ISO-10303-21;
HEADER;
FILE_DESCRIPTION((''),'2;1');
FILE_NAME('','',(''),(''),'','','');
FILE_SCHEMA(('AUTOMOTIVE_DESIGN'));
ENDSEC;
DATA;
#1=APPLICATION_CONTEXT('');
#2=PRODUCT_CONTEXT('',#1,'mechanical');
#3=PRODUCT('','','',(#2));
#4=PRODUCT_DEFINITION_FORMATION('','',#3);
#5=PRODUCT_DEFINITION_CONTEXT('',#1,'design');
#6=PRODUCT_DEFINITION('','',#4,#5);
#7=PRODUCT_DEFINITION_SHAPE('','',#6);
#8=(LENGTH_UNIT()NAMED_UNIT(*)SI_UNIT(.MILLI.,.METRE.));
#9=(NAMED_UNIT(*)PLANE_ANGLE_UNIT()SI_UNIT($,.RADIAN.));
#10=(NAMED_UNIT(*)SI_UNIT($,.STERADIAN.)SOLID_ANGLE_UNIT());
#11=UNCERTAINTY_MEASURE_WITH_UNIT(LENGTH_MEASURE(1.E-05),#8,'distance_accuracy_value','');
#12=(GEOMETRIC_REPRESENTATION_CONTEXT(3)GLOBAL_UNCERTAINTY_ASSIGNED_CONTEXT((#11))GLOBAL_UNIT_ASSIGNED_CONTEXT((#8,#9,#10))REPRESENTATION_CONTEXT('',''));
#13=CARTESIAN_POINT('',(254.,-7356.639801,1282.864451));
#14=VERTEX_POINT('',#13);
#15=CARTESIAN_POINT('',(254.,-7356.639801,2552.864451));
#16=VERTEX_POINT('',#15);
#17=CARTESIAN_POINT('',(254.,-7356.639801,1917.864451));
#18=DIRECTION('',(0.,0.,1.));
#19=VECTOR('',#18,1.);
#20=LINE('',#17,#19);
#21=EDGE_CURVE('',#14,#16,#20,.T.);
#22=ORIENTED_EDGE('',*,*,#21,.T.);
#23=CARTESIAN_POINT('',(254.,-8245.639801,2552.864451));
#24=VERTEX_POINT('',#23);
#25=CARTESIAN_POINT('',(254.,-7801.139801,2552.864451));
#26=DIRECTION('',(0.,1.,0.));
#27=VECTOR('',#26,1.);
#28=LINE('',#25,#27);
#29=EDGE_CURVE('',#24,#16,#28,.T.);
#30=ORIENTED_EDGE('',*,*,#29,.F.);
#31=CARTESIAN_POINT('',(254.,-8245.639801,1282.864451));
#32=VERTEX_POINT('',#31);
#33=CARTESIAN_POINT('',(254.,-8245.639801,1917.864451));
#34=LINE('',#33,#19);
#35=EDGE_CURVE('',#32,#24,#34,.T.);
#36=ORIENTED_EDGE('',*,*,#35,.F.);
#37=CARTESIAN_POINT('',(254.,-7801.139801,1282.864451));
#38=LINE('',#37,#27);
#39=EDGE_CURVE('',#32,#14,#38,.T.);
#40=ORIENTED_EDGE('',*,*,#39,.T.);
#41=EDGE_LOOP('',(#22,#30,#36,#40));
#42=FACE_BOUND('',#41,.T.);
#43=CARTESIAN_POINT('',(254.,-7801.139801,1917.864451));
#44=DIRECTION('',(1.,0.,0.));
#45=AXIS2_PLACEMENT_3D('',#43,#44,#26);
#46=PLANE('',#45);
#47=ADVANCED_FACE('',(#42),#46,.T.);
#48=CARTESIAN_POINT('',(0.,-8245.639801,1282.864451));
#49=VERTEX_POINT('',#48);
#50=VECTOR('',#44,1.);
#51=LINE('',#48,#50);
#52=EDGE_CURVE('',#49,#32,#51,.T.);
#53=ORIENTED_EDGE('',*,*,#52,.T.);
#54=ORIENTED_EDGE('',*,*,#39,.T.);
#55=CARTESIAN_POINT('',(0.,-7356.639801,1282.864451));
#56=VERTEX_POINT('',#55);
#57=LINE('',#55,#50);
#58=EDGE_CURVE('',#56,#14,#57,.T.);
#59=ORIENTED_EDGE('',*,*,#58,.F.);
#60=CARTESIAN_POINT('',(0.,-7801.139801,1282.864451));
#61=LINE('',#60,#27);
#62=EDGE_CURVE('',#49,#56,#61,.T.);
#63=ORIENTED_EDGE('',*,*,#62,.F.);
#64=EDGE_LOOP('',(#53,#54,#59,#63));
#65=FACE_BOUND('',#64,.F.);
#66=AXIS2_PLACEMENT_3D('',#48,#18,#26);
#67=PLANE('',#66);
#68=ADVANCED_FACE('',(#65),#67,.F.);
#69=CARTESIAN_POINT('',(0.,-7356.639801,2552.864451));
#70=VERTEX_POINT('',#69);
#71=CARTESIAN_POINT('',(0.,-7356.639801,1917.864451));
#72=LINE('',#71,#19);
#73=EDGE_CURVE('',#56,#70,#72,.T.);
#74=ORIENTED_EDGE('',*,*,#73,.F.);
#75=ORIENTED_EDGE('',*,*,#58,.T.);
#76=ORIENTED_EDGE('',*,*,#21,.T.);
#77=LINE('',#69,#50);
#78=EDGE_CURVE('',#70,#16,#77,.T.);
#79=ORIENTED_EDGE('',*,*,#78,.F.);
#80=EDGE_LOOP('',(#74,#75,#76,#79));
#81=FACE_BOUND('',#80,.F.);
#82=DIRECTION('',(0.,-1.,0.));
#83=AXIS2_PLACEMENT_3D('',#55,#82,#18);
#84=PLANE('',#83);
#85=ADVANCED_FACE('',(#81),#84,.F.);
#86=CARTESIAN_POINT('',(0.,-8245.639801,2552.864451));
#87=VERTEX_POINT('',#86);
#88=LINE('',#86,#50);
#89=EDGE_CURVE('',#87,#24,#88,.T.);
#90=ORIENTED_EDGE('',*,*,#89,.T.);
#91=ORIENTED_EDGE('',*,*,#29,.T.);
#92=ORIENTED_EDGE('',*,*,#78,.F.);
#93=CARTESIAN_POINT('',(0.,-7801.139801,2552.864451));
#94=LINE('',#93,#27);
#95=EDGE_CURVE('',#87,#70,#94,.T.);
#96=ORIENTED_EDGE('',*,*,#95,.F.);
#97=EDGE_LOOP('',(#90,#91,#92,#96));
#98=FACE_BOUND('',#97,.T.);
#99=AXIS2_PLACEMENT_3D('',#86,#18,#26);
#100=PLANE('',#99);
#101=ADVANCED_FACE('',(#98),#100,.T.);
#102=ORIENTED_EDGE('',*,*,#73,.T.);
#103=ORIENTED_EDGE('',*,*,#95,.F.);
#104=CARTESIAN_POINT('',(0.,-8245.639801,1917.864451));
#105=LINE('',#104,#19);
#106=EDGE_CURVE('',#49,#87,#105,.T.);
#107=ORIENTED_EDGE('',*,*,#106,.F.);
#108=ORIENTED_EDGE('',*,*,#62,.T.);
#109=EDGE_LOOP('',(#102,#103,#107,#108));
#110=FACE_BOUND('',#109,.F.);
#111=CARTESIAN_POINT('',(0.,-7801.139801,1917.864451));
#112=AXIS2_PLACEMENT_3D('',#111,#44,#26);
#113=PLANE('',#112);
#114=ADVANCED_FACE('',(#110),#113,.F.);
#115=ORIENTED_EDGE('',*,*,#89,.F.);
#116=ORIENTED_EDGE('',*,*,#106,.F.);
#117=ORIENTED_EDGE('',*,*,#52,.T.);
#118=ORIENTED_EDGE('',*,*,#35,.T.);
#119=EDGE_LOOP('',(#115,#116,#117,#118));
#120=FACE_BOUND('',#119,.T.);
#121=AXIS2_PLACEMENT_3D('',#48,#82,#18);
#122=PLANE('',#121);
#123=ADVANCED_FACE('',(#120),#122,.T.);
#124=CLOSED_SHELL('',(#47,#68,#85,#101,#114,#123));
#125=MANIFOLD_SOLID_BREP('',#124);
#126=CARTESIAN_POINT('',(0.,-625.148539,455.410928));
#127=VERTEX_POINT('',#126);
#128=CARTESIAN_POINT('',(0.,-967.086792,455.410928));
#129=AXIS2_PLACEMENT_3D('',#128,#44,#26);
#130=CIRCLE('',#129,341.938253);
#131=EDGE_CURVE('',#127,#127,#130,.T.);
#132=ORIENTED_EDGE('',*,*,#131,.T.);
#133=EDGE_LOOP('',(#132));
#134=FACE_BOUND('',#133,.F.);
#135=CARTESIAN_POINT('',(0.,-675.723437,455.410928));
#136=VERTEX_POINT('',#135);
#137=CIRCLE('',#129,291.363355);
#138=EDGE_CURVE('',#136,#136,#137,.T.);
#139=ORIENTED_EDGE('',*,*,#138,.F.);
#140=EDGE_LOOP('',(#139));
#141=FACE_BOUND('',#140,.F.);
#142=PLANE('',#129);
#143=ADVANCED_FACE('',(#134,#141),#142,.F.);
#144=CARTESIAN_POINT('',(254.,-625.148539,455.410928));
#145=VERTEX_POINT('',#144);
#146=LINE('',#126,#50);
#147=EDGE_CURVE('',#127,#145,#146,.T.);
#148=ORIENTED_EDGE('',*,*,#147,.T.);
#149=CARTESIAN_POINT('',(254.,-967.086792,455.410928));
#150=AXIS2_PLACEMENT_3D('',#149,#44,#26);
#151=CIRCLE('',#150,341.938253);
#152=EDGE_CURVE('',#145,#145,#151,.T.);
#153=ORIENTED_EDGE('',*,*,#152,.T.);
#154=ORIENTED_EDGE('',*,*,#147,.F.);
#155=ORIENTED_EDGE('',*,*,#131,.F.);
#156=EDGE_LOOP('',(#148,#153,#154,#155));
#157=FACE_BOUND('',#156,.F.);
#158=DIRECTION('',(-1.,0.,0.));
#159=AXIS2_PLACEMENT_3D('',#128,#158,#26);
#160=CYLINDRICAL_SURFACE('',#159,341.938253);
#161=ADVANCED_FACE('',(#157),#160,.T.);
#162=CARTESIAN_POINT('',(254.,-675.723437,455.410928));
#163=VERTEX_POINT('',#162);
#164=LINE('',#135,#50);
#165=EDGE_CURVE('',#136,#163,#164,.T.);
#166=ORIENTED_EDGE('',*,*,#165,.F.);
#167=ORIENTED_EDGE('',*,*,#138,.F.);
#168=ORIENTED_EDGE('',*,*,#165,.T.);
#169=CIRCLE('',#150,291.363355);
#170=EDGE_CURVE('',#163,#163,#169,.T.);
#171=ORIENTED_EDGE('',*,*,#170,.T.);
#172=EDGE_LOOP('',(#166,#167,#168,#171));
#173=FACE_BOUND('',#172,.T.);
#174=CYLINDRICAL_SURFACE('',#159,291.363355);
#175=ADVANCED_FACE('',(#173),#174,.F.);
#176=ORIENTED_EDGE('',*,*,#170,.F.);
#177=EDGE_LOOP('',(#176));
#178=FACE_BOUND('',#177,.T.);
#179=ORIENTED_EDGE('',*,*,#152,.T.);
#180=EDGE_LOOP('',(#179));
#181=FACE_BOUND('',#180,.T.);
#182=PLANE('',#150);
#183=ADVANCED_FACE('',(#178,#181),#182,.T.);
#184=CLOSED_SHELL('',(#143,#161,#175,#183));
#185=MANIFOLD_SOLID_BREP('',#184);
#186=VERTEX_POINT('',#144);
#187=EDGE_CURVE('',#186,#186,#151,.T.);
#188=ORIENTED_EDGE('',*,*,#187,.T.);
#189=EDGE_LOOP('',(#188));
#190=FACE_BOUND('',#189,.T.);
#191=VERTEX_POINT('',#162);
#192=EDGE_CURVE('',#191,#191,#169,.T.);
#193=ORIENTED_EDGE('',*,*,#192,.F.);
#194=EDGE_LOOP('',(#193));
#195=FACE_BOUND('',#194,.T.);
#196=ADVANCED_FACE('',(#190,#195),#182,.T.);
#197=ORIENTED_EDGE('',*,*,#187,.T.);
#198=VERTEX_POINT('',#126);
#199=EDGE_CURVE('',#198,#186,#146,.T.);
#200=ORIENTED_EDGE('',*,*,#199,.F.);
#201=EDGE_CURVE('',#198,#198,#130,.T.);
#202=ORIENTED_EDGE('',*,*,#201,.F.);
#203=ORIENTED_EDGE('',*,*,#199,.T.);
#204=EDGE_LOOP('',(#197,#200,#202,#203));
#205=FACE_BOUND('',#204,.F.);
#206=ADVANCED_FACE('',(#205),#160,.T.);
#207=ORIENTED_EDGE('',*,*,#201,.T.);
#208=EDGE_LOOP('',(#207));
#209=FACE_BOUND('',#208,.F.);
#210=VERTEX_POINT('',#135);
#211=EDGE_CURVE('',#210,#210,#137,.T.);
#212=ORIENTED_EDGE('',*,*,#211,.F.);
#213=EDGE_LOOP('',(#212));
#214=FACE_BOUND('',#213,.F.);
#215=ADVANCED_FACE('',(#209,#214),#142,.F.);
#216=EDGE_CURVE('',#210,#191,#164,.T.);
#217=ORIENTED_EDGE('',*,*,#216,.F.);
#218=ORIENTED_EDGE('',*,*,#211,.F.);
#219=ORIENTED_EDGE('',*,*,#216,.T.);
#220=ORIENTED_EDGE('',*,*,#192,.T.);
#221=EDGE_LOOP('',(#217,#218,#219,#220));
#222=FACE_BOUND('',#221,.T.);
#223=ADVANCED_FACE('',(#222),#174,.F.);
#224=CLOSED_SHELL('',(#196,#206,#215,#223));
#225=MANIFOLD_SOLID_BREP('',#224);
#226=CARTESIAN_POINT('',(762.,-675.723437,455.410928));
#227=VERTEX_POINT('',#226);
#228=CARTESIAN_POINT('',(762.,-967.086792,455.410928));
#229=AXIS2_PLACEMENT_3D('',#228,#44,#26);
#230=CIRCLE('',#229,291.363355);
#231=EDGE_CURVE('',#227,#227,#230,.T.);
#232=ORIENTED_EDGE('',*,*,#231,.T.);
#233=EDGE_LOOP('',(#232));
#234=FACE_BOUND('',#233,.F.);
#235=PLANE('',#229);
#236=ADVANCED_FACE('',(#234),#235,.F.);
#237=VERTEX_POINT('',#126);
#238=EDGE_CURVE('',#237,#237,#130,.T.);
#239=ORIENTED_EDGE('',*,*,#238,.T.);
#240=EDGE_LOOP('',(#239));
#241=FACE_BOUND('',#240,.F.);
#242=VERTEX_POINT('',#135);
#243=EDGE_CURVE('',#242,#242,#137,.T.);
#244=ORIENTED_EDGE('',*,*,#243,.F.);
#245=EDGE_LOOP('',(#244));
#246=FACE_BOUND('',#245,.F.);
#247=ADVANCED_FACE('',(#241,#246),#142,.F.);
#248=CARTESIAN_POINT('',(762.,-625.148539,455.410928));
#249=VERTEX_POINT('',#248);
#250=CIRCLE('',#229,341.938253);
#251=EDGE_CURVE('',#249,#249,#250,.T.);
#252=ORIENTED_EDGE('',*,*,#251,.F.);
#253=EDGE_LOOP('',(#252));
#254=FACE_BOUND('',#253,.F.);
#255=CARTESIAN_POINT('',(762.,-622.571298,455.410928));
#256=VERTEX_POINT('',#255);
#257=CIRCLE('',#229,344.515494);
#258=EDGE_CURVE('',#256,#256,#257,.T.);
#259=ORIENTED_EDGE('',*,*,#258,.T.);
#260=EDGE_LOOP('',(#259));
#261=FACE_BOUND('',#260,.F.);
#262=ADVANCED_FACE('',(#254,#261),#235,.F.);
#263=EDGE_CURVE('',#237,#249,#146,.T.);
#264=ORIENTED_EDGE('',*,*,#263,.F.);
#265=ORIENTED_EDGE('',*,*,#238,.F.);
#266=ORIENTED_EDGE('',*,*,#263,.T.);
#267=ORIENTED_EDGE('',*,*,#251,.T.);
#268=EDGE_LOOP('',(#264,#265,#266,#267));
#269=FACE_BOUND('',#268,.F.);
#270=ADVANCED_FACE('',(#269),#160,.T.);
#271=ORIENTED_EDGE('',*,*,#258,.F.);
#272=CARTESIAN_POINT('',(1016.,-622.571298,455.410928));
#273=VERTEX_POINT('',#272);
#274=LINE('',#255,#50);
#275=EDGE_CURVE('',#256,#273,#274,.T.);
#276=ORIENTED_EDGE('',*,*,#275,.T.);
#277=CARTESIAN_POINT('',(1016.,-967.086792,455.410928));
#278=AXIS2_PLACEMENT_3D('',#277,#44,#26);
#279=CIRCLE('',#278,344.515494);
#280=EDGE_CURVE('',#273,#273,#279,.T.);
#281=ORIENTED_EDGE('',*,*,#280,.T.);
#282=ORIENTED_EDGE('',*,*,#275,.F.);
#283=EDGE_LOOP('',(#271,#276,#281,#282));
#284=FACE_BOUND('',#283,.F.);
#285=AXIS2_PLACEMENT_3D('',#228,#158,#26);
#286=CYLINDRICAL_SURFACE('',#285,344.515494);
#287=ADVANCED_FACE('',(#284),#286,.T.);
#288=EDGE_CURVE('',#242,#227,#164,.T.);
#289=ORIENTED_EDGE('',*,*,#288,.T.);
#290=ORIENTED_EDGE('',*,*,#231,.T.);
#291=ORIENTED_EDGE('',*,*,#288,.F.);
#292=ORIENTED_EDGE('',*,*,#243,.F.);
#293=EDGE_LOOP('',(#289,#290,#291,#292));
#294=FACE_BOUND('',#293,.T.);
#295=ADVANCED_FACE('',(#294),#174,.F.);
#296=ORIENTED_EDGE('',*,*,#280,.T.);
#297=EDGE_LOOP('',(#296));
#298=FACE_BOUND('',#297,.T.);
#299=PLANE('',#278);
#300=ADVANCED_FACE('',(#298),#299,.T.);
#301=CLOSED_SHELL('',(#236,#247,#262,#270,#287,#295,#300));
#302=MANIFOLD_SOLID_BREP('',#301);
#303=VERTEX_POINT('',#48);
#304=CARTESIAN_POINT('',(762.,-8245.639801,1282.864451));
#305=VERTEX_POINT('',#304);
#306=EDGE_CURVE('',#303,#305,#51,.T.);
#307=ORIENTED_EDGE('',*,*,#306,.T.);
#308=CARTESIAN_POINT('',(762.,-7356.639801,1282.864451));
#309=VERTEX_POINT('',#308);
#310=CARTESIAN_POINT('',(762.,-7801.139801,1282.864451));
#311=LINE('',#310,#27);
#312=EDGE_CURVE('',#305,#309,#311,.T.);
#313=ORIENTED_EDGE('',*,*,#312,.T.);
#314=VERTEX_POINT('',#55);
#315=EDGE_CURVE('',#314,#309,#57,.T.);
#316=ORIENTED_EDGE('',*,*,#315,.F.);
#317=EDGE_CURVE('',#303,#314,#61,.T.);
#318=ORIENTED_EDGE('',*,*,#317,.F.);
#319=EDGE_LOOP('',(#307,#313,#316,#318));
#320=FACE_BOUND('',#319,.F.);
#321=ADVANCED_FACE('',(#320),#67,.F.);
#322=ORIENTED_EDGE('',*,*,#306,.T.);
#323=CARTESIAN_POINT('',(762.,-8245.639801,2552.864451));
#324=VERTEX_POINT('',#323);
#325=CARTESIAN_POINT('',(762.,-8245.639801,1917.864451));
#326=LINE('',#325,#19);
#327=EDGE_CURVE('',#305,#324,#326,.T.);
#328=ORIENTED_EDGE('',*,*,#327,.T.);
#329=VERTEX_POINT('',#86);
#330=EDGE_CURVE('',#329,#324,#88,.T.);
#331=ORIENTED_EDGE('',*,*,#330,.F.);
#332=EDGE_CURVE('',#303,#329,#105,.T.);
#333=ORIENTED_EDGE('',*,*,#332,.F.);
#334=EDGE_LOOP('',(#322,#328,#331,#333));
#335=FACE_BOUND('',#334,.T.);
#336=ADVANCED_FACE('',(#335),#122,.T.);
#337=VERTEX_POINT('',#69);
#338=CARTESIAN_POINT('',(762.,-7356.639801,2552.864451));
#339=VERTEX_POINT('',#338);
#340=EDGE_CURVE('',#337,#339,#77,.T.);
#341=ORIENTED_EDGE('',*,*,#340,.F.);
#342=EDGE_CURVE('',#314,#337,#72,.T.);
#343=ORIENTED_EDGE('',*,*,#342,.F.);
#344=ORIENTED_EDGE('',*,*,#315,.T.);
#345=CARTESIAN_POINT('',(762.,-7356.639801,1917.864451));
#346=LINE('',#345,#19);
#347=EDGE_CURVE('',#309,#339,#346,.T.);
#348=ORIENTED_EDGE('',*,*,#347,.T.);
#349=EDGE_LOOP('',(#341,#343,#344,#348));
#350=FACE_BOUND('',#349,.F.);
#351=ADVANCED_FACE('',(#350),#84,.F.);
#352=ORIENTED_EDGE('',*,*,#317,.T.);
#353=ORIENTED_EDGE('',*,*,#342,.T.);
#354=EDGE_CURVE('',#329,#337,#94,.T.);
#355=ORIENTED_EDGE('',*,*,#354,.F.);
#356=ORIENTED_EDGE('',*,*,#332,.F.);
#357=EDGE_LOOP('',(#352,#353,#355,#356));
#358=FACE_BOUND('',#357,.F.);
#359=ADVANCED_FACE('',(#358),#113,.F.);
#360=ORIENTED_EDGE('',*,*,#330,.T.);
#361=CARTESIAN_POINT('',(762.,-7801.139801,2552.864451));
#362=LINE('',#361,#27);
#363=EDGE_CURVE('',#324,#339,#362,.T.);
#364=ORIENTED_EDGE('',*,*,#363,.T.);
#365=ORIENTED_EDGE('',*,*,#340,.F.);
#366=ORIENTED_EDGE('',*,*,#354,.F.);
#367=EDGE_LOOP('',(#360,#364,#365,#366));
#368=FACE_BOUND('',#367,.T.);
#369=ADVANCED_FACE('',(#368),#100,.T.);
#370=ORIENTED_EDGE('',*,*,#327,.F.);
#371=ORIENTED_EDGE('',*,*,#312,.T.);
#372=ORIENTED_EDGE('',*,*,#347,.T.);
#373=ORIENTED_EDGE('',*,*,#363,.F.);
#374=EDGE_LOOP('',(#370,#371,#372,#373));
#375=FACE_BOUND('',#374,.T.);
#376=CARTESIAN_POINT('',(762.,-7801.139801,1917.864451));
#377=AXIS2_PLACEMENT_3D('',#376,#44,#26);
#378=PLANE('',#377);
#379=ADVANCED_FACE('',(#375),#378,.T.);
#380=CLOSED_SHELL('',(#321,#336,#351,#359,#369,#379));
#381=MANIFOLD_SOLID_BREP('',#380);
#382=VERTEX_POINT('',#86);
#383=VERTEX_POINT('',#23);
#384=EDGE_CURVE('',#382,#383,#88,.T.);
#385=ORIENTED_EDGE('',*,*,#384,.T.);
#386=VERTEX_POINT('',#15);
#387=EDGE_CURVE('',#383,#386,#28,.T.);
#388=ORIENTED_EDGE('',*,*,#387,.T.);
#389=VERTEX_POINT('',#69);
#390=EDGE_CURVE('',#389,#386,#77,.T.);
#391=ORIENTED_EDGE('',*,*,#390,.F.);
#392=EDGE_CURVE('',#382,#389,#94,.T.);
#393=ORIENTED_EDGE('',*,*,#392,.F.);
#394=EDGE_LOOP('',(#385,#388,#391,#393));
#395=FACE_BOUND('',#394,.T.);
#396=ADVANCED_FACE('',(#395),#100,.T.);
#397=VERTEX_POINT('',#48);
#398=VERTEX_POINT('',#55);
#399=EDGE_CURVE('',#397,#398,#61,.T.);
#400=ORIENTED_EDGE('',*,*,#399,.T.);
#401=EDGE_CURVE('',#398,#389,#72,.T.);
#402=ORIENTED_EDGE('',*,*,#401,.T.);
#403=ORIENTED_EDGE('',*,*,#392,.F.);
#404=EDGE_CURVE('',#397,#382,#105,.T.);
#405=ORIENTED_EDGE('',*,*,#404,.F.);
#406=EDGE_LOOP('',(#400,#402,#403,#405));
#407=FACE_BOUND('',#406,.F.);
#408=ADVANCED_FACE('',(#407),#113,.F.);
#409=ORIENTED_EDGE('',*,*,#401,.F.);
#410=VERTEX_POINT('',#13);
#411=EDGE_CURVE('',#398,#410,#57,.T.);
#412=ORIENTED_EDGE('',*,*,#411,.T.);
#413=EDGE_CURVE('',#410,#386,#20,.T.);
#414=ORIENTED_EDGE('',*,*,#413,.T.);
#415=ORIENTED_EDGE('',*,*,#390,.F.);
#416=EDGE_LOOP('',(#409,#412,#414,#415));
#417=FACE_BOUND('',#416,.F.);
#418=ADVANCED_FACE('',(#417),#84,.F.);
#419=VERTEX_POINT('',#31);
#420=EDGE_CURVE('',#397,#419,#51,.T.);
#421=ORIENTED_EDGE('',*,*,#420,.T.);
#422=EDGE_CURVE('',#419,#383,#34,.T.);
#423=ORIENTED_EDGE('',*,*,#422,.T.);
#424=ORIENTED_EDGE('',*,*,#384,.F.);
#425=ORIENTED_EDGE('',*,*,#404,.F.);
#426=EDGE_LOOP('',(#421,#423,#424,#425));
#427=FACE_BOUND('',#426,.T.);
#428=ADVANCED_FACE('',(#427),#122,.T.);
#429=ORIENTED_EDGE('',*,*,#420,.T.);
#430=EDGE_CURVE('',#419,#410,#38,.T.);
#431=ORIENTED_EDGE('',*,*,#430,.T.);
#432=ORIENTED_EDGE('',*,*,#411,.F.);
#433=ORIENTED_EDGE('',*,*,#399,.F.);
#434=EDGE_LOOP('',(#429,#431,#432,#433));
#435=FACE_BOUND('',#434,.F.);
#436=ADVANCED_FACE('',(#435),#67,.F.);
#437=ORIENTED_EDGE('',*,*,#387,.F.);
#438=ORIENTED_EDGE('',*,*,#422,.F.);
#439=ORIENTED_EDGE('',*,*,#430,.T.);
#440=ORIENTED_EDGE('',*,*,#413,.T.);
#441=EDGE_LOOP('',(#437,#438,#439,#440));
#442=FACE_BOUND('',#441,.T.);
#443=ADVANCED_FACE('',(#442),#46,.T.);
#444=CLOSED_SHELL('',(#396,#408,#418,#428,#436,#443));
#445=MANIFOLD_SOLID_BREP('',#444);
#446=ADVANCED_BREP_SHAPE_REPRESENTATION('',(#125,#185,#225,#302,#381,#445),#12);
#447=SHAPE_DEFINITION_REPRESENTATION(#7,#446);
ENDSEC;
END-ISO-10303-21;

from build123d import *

# Parameters (mm, degrees)
F0_W     = 889
F0_H     = 1270
F0_R     = 341.938253
F0_R_2   = 291.363355
F1_DEPTH = 254
F2_DEPTH = 254
F3_DEPTH = 762
F4_R     = 344.515494
F5_DEPTH = 254


with BuildPart() as f1:
    # F0 (on Right) → F1 (new body)
    with BuildSketch(Plane.YZ):
        with Locations((-7801.139801, 1917.864451)):
            Rectangle(F0_W, F0_H)
        with Locations((-967.086792, 455.410928)):
            Circle(F0_R)
        with Locations((-967.086792, 455.410928)):
            Circle(F0_R_2, mode=Mode.SUBTRACT)
    extrude(amount=F1_DEPTH)


with BuildPart() as f2:
    # F0 (on Right) → F2 (new body)
    with BuildSketch(Plane.YZ):
        with Locations((-7801.139801, 1917.864451)):
            Rectangle(F0_W, F0_H)
        with Locations((-967.086792, 455.410928)):
            Circle(F0_R)
        with Locations((-967.086792, 455.410928)):
            Circle(F0_R_2, mode=Mode.SUBTRACT)
    extrude(amount=F2_DEPTH)


with BuildPart() as f3:
    # F0 (on Right) → F3 (new body)
    with BuildSketch(Plane.YZ):
        with Locations((-7801.139801, 1917.864451)):
            Rectangle(F0_W, F0_H)
        with Locations((-967.086792, 455.410928)):
            Circle(F0_R)
        with Locations((-967.086792, 455.410928)):
            Circle(F0_R_2, mode=Mode.SUBTRACT)
    extrude(amount=F3_DEPTH)

    # F4 (on face) → F5 (join)
    with BuildSketch(Plane.YZ.offset(762)):
        with Locations((-967.086792, 455.410928)):
            Circle(F4_R)
    extrude(amount=F5_DEPTH)


solid = Compound([f1.part, f2.part, f3.part])
